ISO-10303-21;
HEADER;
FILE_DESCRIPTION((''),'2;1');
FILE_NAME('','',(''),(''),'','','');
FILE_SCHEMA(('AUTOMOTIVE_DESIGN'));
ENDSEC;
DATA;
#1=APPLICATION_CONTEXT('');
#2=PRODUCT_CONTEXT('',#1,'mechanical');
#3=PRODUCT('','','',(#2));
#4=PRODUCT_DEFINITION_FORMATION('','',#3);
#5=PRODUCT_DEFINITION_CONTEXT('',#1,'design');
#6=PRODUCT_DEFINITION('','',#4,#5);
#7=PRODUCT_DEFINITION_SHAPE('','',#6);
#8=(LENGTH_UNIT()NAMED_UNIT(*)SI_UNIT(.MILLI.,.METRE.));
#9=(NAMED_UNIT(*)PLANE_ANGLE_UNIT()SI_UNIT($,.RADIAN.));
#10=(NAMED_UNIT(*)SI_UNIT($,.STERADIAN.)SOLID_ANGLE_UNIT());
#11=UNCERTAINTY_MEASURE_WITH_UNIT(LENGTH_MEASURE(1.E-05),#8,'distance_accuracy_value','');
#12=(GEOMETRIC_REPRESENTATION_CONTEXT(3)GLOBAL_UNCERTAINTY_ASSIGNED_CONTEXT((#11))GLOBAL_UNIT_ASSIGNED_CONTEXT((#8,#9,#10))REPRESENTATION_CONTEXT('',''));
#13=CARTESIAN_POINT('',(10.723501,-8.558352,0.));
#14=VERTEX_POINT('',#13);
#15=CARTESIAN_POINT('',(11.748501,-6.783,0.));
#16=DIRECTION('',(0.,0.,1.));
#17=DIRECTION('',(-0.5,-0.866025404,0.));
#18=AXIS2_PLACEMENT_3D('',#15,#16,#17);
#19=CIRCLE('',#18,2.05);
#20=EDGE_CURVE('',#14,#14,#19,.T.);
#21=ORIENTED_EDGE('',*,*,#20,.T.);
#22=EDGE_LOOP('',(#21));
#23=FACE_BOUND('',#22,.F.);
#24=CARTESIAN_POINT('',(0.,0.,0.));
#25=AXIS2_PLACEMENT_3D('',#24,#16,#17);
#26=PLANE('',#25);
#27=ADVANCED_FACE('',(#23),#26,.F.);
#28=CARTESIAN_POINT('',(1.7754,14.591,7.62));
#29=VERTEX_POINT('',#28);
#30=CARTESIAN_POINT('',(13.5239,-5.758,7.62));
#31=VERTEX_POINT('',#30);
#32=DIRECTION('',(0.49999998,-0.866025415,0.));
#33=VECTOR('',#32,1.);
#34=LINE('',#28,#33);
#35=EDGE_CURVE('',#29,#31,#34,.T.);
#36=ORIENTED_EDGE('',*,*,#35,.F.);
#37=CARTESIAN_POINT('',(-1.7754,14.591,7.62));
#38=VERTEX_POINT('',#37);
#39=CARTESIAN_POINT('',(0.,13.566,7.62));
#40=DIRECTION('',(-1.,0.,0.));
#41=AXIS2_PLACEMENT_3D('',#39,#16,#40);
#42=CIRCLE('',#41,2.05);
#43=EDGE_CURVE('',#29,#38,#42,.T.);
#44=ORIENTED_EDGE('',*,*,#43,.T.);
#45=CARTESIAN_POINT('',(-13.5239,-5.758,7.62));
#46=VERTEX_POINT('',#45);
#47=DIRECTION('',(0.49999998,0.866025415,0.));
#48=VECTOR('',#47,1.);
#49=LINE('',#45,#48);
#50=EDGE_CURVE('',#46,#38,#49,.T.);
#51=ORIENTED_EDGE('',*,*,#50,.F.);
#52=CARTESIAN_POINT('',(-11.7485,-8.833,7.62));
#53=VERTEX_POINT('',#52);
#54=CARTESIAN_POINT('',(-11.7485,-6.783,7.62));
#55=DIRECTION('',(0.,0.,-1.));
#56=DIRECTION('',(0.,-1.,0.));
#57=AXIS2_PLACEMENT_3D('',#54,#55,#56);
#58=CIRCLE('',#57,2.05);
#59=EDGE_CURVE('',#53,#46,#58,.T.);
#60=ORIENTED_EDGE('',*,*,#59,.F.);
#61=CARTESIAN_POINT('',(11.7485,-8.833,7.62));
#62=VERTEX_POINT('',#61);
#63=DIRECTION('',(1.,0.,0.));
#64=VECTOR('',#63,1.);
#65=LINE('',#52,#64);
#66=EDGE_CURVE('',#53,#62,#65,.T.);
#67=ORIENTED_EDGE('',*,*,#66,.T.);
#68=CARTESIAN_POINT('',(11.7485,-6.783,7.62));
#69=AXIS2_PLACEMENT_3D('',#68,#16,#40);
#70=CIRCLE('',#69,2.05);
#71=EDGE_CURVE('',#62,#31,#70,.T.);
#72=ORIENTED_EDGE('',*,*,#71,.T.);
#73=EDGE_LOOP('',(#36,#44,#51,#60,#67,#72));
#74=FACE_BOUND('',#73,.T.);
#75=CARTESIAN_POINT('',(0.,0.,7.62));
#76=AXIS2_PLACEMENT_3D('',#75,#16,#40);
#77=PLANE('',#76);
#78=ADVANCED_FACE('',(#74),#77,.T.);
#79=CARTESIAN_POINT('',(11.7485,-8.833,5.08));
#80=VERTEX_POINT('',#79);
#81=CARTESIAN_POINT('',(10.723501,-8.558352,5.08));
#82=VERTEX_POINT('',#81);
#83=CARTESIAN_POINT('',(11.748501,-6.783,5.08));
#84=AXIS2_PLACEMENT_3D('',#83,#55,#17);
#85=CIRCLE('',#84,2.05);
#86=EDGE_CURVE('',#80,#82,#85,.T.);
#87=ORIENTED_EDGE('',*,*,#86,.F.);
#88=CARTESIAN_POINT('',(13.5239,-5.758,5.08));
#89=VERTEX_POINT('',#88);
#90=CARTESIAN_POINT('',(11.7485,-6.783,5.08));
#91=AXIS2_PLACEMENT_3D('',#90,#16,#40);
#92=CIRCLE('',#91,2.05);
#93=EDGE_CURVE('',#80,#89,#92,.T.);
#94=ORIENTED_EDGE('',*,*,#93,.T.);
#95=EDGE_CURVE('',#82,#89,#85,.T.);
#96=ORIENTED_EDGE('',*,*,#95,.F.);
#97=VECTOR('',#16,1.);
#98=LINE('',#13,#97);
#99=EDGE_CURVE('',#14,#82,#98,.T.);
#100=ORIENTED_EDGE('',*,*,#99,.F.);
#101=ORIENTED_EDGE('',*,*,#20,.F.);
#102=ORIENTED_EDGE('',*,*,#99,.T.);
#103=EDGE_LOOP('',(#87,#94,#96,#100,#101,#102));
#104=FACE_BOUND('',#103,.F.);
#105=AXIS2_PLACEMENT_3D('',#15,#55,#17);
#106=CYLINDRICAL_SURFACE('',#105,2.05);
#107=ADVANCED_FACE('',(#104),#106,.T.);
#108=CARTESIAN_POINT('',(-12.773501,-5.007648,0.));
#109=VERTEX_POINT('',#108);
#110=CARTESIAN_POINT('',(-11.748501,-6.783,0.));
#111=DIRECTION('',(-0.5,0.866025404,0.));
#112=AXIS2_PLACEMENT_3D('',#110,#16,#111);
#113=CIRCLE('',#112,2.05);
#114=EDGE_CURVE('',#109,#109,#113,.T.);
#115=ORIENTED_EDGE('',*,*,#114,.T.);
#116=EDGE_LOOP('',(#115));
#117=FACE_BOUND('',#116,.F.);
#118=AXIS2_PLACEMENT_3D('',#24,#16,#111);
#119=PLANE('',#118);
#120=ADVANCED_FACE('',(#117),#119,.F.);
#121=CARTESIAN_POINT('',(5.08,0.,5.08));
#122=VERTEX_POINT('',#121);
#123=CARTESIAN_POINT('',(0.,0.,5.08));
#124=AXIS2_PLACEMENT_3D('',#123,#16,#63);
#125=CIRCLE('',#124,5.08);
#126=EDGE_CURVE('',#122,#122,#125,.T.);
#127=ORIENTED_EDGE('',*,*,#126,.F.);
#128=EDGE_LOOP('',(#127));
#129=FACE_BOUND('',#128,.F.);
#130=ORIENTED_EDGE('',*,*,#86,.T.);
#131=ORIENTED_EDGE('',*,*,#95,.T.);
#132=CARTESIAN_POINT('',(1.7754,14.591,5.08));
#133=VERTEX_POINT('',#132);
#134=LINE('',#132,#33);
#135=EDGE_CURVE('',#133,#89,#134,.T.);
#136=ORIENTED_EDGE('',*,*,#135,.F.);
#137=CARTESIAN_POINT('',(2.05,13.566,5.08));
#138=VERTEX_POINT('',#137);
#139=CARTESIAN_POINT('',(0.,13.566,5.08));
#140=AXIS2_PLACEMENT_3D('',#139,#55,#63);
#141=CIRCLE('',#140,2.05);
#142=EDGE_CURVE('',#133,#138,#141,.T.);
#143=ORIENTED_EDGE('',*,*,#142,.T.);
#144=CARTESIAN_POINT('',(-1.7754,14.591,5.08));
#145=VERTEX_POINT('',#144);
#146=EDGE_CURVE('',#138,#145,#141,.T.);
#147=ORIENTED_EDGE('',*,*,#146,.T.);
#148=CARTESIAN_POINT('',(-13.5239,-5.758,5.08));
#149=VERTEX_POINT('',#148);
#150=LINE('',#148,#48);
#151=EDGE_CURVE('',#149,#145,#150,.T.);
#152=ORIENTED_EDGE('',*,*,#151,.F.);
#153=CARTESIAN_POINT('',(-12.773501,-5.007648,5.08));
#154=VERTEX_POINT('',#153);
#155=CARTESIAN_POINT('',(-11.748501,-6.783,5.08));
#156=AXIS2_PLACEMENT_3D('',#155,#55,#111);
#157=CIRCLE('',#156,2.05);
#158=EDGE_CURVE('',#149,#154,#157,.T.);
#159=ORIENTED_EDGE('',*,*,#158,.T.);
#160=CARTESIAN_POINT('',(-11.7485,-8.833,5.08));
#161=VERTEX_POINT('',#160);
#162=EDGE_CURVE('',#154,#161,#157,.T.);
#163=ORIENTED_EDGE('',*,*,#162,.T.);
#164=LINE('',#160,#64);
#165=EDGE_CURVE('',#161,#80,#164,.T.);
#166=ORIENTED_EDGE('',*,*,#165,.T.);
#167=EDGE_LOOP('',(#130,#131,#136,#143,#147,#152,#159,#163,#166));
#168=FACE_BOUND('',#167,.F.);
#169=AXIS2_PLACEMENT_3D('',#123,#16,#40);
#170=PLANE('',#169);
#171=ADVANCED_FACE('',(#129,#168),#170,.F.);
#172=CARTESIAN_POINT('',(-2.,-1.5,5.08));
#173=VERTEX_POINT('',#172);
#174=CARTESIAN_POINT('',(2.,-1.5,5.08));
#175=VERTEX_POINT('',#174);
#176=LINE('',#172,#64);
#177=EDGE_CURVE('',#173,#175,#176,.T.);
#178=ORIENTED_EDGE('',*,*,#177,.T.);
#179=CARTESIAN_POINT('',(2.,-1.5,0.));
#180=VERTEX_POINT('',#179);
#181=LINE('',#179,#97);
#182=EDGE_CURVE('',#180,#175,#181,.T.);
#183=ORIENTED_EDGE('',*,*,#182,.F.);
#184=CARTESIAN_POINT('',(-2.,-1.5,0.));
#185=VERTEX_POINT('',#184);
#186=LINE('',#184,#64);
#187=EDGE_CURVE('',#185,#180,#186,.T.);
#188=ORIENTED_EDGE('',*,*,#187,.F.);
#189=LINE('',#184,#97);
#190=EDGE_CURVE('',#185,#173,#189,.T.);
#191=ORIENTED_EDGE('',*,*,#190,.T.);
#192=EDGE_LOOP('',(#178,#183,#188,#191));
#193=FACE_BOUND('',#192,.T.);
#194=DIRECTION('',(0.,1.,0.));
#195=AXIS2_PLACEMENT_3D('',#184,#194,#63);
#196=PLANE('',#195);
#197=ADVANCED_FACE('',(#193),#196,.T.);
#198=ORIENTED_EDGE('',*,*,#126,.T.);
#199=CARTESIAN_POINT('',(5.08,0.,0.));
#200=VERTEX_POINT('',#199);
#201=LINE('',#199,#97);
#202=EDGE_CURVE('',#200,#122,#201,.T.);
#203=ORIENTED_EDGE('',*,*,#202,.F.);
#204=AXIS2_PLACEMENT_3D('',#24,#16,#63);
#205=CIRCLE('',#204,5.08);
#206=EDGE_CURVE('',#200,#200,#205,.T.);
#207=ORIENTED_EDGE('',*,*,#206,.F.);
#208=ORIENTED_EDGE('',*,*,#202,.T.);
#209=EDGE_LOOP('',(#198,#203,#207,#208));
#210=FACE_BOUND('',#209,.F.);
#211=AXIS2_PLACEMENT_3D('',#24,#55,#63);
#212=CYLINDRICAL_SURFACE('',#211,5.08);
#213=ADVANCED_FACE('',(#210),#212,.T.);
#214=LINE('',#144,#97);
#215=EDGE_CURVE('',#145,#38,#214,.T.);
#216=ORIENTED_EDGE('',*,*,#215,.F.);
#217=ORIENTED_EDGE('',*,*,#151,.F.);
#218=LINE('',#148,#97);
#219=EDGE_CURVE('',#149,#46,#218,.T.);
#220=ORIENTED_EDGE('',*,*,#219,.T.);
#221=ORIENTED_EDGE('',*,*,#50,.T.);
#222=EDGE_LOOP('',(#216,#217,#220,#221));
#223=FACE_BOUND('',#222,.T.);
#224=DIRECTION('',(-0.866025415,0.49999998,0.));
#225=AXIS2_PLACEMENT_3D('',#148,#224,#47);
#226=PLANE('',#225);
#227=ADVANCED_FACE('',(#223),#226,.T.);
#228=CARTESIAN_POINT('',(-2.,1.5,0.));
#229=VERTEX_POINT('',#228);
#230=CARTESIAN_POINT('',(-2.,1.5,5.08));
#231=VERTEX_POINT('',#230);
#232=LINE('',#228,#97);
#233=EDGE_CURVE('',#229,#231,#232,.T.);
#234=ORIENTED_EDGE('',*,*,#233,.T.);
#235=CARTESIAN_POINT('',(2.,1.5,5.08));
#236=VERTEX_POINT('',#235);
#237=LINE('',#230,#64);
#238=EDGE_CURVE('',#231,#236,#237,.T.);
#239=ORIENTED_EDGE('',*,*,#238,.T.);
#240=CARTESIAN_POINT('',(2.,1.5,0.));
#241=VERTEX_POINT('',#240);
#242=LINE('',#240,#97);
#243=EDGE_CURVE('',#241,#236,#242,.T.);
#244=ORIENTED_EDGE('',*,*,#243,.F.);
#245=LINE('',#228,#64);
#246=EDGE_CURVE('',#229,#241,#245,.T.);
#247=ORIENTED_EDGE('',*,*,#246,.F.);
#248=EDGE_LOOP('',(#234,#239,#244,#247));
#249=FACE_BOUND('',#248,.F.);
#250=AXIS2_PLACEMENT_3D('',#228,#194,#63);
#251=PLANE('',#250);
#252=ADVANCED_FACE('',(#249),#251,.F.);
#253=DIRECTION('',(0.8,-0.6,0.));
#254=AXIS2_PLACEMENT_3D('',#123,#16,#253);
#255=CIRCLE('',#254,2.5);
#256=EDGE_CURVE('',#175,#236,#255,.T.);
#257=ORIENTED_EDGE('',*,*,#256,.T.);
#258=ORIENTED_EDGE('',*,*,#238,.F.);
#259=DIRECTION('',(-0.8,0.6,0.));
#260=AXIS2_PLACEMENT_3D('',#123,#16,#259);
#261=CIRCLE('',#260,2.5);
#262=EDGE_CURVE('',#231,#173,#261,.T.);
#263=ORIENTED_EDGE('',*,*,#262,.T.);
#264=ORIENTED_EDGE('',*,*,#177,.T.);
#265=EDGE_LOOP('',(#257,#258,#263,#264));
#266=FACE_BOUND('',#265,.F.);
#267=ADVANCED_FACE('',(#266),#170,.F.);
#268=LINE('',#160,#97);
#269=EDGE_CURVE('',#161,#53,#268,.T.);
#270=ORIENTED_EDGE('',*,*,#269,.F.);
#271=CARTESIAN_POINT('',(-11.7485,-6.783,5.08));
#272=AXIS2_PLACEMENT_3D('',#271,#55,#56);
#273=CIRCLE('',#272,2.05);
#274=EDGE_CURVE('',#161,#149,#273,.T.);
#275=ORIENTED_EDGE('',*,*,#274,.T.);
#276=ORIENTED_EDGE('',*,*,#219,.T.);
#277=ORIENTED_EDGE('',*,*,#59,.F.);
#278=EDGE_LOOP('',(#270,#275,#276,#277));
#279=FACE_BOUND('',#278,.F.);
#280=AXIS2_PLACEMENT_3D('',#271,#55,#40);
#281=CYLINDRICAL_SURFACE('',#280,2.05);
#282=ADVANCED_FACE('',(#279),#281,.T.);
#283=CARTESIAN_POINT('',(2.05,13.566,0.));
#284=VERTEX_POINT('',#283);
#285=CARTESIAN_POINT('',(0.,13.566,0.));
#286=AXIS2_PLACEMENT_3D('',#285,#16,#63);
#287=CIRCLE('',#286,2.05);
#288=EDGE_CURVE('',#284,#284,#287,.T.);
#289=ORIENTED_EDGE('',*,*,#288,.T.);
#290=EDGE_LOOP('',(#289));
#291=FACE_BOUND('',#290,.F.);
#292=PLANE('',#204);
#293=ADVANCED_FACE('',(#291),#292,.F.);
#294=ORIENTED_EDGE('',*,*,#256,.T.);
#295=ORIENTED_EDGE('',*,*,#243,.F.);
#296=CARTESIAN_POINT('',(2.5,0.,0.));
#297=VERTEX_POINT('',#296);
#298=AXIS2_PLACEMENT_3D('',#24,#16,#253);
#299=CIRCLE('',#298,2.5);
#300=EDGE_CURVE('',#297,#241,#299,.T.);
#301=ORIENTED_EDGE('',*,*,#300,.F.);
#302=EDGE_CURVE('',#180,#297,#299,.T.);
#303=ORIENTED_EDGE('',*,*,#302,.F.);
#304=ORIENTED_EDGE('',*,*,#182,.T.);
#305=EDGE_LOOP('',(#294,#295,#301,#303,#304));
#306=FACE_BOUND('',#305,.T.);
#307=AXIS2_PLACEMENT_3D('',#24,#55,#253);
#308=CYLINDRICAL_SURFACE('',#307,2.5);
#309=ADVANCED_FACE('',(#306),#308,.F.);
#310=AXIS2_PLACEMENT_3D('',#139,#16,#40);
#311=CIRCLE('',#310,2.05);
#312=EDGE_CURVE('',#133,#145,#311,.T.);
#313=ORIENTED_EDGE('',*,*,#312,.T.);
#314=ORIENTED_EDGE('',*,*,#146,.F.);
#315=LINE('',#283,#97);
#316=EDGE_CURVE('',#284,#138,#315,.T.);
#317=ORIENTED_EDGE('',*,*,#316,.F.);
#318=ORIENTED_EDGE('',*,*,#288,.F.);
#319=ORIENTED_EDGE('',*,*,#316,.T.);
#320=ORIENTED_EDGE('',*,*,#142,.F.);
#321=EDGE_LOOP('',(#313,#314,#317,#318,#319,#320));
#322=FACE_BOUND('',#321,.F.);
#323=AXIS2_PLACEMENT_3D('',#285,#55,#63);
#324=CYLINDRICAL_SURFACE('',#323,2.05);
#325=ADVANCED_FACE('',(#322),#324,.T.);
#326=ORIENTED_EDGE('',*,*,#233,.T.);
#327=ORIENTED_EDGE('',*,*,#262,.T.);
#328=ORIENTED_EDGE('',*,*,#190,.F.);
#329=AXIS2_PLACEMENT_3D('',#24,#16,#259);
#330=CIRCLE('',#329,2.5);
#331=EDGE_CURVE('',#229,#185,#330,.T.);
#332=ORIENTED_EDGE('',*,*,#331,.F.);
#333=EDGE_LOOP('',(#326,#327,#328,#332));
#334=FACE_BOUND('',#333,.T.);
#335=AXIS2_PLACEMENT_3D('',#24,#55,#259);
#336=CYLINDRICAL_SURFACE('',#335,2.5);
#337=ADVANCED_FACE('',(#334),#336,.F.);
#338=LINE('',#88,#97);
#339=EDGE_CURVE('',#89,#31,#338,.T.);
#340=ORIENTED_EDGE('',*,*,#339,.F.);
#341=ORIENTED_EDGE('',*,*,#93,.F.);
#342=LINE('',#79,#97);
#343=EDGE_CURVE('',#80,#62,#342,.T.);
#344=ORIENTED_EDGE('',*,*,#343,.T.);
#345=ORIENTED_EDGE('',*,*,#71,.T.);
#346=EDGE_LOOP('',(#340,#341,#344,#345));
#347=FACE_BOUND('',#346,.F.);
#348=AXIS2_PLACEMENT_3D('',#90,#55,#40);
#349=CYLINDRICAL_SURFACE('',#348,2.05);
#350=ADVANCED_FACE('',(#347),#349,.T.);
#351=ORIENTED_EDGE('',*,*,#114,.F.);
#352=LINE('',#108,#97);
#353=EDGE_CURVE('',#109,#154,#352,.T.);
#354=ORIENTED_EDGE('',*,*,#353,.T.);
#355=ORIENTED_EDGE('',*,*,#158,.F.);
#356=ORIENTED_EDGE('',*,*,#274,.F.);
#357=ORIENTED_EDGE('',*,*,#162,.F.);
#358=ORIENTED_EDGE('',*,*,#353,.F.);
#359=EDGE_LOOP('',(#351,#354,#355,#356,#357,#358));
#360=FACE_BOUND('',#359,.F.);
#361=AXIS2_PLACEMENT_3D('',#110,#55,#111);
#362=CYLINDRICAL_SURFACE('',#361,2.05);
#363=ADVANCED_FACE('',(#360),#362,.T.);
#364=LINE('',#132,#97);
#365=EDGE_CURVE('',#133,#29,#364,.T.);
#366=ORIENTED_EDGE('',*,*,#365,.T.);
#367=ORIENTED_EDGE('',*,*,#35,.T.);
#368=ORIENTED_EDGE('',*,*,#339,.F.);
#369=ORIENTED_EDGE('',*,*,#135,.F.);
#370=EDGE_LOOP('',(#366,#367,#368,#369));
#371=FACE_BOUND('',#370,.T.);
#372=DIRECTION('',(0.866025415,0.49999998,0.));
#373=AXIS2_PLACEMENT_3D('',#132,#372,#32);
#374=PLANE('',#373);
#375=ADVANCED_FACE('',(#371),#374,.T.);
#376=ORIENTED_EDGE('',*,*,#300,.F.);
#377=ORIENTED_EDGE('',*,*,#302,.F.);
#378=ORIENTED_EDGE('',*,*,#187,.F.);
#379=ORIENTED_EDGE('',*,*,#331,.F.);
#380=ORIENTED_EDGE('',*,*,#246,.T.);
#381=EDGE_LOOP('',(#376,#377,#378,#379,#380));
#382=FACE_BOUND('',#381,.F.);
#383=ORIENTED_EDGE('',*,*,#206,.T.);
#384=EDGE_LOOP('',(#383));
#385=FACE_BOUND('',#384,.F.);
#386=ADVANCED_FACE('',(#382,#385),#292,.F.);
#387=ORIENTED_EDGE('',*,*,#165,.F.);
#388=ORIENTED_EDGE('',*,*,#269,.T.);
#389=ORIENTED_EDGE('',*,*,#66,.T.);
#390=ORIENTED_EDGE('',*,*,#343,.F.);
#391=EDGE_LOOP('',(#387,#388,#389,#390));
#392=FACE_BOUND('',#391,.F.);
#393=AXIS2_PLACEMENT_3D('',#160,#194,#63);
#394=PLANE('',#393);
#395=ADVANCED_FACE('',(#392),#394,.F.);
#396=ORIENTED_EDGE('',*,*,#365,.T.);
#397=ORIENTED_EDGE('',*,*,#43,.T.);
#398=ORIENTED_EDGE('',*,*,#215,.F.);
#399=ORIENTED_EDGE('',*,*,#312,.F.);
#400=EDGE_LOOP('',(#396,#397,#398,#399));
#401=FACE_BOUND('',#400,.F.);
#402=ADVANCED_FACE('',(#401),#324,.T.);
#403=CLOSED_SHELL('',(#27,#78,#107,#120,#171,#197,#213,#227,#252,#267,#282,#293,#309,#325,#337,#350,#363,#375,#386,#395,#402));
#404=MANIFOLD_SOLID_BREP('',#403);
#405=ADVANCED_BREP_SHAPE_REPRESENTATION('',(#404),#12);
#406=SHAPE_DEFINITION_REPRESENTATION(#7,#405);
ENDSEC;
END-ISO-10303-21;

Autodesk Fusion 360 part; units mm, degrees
sketch "Sketch1" plane through (0, 0, 0) normal (0, 0, 1) x (1, 0, 0)
  circle A0 centre (0, 0) radius 21.59 construction
  line L0 (0, 27.546) -> (0, -31.973) construction
  line L1 (-40.4824, 0) -> (36.5438, 0) construction
  line L2 (0, 1.75) -> (0, 22.5)
  line L3 (1.75, 0) -> (22.5, 0)
  line L4 (-2, 1.5) -> (2, 1.5)
  line L5 (-2, -1.5) -> (2, -1.5)
  circle A1 centre (0, 0) radius 5.08
  arc A2 (-2, 1.5) -> (-2, -1.5) centre (0, 0) ccw
  arc A3 (2, -1.5) -> (2, 1.5) centre (0, 0) ccw
  circle A4 centre (0, 13.566) radius 6.5 construction
  circle A5 centre (0, 13.566) radius 2.05
  line L6 (7.62, 20.066) -> (-7.158, 20.066) construction
  line L7 (-11.43, 21.59) -> (19.6746, 21.59) construction
  dimension "d1" = 43.18
  dimension "d3" = 5
  dimension "d4" = 3
  dimension "d5" = 10.16
  dimension "d6" = 2.5
  dimension "d7" = 13
  dimension "d8" = 4.1
  dimension "d18" = 1.524
extrude "Extrude1" add sketch "Sketch1" along normal blind 5.08 makes body 1 at (2.0475, 13.4638, 3.3867) makes body 2 at (5.0737, -0.2532, 3.3867)
pattern_circular "C-Pattern4" count 3 over 360 about axis through (0, 0, 1.75) along (0, 0, 1) of bodies 1 makes body 3 at (-12.6837, -4.9588, 3.3867) makes body 4 at (10.6363, -8.5051, 3.3867)
sketch "Sketch3" plane through (0, 0, 5.08) normal (0, 0, 1) x (-1, 0, 0)
  arc A0 (2, -1.5) -> (2, 1.5) centre (0, 0) ccw
  line L0 (2, -1.5) -> (-2, -1.5)
  arc A1 (-2, 1.5) -> (-2, -1.5) centre (0, 0) ccw
  line L1 (-2, 1.5) -> (2, 1.5)
  circle A2 centre (0, 0) radius 5.08
  line L2 (13.5239, 5.758) -> (1.7754, -14.591)
  line L3 (-1.7754, -14.591) -> (-13.5239, 5.758)
  line L4 (11.7485, 8.833) -> (-11.7485, 8.833)
  circle A3 centre (11.7485, 6.783) radius 2.05
  circle A4 centre (0, -13.566) radius 2.05
  circle A5 centre (-11.7485, 6.783) radius 2.05
extrude "Extrude4" add sketch "Sketch3" along normal blind 2.54 contours A0 L0 A1 L1 | A2 | L2 L3 L4 A3 A4 A5 | A3 | A4 | A5 bodies 1 2 3 4
